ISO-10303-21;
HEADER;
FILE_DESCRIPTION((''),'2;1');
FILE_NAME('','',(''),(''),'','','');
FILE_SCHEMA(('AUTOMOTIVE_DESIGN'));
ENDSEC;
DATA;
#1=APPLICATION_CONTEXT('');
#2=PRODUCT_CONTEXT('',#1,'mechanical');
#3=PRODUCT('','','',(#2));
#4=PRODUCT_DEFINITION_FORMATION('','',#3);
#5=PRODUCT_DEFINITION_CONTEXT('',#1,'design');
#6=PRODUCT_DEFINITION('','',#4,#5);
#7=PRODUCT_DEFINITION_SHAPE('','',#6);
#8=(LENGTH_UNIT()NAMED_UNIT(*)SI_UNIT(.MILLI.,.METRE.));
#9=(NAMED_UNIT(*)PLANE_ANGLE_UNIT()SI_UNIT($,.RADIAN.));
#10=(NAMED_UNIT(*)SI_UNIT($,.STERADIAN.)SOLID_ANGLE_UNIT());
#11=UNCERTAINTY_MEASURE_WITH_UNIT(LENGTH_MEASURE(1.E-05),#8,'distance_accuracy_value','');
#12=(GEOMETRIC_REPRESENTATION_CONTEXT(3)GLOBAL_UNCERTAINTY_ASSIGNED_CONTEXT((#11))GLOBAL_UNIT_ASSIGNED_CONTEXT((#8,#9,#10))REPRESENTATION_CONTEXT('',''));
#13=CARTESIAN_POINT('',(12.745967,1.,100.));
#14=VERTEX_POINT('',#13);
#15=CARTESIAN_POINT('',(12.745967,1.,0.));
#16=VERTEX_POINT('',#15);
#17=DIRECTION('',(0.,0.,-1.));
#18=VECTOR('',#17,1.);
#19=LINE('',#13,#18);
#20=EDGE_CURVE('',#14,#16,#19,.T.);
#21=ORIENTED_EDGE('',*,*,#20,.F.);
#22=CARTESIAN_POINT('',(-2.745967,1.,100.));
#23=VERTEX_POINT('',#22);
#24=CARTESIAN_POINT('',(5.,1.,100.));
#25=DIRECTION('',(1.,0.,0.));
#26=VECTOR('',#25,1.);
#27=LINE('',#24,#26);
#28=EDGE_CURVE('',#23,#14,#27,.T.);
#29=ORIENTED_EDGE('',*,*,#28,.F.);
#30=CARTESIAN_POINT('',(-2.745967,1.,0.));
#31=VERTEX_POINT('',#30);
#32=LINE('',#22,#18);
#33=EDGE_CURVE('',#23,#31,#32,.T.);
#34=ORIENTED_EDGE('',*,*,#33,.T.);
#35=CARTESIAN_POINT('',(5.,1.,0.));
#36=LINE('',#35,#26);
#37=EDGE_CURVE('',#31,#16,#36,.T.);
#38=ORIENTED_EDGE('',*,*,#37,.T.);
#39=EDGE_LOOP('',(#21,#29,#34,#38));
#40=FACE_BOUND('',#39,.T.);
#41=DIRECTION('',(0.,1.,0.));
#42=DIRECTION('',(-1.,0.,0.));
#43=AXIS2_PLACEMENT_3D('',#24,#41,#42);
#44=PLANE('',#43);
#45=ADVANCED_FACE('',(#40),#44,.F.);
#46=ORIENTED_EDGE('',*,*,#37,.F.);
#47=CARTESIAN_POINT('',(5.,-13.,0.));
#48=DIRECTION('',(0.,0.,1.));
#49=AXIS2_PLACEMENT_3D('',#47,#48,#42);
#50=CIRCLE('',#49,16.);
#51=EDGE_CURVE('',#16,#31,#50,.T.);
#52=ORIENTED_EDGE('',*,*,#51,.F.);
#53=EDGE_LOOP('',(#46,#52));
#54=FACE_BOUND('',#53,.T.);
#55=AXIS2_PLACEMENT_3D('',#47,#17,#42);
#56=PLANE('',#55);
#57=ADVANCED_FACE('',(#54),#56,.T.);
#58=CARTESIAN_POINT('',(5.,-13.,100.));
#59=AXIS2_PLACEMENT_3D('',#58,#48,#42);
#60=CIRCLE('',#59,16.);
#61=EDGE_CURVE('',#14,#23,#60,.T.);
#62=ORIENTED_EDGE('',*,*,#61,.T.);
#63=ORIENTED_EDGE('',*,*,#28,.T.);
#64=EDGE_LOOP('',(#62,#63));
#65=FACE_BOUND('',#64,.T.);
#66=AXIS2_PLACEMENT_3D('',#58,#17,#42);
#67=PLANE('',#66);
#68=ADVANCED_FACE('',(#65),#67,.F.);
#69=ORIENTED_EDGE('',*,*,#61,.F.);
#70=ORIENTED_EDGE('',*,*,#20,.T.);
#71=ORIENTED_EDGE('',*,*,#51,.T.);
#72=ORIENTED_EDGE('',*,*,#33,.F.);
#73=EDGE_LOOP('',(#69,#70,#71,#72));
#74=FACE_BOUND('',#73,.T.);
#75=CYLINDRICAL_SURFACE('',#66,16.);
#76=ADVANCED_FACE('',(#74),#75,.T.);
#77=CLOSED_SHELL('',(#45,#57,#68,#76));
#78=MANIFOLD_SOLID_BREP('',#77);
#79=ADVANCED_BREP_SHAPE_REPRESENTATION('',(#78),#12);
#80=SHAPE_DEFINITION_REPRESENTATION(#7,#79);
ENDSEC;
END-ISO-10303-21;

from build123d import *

# Parameters (mm, degrees)
EXTRUDE_1_DEPTH = 100


with BuildPart() as part:
    # 草图1 → 凸台-拉伸1 (new body)
    with BuildSketch(Plane.XY):
        with BuildLine():
            Line((5, 1), (-2.745966692, 1))
            ThreePointArc((-2.745966692, 1), (5, 3), (12.745966692, 1))
            Line((12.745966692, 1), (5, 1))
        make_face()
    extrude(amount=EXTRUDE_1_DEPTH)


solid = part.part
